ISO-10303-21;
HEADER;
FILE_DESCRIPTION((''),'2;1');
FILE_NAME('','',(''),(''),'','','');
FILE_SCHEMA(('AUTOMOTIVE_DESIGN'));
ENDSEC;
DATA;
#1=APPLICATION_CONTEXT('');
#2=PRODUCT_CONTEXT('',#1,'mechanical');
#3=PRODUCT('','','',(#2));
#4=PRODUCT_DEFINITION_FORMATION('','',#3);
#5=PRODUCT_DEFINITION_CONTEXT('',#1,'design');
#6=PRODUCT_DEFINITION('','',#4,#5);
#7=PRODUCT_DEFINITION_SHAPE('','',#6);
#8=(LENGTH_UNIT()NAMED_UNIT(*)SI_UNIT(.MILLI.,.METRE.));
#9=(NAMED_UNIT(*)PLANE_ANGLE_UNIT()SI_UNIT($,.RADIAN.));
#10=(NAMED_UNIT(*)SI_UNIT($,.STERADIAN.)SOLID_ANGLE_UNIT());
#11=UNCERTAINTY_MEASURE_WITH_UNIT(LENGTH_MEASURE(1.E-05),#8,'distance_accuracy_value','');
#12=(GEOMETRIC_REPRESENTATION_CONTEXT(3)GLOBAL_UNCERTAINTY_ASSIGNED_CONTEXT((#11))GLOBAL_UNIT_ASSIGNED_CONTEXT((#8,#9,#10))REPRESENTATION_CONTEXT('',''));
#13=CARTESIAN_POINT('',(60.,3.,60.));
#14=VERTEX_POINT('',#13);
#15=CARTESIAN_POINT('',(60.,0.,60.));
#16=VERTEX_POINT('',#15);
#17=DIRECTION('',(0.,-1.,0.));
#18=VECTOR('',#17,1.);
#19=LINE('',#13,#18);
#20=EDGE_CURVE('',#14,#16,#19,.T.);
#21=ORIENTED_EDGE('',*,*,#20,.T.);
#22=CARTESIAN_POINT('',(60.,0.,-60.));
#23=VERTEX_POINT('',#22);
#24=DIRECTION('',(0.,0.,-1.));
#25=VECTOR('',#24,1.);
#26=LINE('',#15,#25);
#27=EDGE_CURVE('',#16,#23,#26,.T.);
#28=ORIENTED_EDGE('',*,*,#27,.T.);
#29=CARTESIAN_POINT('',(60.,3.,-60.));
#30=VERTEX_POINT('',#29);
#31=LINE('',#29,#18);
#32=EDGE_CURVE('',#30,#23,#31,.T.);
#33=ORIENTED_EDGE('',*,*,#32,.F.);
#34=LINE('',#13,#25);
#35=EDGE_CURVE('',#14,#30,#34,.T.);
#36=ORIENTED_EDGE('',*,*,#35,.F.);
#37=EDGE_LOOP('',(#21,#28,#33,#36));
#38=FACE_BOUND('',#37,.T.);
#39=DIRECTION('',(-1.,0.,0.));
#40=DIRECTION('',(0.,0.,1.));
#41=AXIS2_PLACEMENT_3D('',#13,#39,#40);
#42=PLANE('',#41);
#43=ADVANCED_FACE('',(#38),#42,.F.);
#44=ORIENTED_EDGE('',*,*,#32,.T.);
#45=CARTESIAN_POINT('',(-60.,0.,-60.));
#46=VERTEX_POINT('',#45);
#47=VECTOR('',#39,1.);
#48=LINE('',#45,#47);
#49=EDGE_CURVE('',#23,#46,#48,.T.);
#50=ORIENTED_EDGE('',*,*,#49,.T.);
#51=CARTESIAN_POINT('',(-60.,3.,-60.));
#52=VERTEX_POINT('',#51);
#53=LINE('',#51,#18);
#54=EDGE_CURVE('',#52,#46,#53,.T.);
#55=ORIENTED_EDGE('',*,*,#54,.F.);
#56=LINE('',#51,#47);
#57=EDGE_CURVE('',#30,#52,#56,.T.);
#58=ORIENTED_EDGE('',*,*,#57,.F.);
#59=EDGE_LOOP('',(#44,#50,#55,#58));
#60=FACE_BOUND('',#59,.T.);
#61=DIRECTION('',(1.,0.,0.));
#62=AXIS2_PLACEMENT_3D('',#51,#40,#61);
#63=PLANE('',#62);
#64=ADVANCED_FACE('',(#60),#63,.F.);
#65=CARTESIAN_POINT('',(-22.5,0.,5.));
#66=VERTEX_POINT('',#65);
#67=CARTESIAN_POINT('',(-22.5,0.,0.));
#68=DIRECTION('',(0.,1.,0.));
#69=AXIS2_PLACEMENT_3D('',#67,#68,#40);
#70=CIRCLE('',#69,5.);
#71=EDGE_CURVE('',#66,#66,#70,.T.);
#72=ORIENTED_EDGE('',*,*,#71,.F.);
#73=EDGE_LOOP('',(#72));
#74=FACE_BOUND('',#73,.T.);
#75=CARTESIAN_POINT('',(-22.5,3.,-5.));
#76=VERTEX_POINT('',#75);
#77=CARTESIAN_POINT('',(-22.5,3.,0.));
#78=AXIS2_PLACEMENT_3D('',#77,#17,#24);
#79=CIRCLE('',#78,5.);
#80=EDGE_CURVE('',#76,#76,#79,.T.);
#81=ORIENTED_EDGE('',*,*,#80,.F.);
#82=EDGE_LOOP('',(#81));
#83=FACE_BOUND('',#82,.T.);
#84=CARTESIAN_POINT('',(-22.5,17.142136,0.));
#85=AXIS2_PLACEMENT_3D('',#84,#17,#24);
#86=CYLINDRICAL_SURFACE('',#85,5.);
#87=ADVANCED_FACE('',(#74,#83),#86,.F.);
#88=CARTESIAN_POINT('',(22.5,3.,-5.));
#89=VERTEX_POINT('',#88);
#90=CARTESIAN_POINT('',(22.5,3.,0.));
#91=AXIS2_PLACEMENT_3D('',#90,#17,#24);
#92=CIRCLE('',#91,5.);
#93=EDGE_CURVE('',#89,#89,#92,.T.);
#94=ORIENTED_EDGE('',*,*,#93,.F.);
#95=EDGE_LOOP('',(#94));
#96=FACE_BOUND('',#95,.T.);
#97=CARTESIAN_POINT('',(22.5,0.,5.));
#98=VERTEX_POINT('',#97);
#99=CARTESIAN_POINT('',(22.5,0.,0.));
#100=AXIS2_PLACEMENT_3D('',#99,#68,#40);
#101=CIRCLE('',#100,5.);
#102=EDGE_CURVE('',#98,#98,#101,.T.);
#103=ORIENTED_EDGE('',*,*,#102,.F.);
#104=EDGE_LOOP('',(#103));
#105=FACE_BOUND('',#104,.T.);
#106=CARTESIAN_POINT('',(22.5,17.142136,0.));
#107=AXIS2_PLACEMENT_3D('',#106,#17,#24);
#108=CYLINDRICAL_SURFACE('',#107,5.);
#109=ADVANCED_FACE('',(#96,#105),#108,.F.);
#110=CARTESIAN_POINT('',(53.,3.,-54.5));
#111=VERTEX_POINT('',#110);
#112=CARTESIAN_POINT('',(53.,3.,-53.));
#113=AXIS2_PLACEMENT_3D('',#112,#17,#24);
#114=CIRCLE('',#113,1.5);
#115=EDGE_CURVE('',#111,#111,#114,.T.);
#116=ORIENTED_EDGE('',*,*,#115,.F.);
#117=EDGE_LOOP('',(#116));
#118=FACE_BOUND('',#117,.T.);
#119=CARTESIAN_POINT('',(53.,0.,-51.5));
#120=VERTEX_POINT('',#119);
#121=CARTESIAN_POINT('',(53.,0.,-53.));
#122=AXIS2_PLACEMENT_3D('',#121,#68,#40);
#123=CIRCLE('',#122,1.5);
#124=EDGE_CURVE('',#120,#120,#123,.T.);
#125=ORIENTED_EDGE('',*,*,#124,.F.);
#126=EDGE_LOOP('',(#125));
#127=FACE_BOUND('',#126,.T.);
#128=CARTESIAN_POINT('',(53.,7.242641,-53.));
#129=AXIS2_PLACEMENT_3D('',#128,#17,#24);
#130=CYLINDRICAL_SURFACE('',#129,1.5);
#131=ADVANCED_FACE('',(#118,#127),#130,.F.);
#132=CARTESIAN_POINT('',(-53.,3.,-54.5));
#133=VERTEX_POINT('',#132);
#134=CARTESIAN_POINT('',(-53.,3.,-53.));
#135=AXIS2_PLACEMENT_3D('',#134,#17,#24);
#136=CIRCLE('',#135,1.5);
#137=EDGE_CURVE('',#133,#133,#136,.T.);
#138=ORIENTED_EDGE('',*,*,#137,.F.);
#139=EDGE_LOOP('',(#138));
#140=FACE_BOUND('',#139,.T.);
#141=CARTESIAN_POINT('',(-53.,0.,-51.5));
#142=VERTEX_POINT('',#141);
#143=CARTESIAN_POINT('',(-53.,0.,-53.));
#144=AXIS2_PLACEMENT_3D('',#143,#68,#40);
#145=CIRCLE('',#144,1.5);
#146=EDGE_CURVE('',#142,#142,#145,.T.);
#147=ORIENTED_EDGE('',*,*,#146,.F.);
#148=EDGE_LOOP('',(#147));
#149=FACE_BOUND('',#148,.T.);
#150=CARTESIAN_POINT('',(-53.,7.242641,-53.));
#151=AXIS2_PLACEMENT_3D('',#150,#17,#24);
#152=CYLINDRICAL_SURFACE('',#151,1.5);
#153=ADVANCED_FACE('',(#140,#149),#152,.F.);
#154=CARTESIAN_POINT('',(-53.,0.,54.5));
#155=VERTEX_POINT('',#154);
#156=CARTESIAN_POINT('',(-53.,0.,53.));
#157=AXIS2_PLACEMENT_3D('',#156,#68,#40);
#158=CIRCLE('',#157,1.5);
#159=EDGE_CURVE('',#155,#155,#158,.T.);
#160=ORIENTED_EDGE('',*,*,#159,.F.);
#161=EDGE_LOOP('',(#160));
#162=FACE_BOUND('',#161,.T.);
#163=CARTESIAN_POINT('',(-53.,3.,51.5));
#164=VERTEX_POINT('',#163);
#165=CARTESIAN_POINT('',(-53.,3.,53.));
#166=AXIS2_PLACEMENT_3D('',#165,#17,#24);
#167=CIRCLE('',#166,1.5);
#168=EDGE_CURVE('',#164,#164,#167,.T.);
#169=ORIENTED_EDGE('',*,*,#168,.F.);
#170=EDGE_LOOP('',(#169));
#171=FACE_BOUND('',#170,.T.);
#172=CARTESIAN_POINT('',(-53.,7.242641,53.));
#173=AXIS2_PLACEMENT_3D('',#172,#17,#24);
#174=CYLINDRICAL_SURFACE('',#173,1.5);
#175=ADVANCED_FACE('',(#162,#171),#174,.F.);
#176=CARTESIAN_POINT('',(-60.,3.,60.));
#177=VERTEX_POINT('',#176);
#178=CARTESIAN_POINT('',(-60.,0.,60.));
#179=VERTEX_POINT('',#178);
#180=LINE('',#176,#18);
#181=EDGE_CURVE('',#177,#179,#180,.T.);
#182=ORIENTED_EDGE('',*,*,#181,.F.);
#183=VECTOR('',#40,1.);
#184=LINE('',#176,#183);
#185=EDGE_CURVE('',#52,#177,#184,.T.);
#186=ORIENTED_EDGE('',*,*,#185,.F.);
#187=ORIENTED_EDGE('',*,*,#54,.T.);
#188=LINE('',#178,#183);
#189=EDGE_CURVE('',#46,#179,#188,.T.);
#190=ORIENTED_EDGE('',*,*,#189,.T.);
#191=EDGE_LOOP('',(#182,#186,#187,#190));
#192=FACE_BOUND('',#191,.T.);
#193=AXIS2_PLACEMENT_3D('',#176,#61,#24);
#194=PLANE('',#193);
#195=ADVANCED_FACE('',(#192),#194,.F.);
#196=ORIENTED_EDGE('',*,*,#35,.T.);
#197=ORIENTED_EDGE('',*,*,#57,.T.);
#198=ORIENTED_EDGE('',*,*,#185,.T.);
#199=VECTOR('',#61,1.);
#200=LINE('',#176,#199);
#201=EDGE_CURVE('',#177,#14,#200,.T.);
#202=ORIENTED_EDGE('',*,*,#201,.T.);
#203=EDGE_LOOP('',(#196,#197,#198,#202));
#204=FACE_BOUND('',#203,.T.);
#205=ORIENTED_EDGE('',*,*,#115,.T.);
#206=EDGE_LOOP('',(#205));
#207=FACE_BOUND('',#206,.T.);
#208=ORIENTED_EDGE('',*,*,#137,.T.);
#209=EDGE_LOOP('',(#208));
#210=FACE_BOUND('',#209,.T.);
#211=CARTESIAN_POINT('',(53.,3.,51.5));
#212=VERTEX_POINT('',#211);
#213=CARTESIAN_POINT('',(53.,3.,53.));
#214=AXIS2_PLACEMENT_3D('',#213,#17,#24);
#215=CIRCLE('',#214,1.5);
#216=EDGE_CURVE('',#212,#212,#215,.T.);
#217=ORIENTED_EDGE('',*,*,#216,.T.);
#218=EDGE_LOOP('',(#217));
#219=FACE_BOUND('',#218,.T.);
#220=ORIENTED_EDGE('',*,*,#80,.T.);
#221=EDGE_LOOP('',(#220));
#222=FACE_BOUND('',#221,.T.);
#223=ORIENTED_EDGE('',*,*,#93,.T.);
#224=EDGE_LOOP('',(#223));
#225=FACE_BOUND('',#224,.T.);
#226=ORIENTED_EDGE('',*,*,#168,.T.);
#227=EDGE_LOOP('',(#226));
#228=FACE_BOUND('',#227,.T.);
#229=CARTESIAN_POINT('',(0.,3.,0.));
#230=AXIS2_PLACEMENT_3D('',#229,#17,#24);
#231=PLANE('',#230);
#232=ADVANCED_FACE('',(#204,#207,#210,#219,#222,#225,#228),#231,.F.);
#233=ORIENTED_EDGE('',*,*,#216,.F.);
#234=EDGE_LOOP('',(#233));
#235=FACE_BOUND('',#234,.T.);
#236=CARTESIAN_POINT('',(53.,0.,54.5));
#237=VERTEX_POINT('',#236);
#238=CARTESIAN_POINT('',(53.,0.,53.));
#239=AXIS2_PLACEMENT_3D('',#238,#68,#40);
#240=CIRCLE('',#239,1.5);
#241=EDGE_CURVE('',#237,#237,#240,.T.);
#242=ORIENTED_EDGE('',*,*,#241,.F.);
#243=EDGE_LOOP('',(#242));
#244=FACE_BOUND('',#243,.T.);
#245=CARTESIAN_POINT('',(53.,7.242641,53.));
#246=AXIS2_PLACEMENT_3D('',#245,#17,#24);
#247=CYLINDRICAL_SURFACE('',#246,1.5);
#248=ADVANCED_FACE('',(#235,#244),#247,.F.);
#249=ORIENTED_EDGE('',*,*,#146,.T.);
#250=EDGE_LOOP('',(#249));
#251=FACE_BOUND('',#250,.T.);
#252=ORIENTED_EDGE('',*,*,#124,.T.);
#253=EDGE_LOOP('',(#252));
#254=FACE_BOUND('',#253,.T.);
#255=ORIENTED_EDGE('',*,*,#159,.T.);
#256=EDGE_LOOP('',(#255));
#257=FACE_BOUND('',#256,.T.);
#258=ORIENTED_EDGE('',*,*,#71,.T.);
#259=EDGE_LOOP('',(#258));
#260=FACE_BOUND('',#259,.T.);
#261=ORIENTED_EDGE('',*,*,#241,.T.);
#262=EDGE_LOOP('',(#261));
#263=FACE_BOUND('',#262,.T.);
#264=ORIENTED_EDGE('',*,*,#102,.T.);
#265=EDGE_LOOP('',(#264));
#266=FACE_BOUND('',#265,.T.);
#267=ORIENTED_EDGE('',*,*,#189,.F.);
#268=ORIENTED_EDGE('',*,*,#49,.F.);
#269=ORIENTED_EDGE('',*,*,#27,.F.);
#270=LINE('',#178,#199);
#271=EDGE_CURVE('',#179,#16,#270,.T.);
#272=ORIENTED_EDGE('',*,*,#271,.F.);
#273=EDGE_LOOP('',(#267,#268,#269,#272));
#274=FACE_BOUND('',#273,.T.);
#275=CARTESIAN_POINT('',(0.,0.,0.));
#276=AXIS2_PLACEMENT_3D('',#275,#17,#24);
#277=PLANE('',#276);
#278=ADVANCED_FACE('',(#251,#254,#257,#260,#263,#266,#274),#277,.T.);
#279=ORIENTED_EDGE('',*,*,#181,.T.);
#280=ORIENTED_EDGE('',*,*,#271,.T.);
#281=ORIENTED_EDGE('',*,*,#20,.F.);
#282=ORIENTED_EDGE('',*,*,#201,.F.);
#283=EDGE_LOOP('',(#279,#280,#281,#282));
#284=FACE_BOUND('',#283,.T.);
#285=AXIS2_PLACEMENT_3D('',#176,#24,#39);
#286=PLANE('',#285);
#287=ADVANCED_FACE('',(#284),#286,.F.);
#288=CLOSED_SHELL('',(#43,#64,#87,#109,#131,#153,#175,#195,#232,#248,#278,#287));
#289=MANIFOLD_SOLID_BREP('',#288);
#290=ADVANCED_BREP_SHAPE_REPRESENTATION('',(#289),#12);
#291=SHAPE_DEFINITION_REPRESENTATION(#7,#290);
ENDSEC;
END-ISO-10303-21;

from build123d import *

# Parameters (mm, degrees)
SKETCH1_W           = 120
SKETCH1_H           = 120
BOSS_EXTRUDE1_DEPTH = 3
SKETCH4_R           = 5
CUT_EXTRUDE2_DEPTH  = 3
SKETCH7_R           = 1.5
CUT_EXTRUDE3_DEPTH  = 3


with BuildPart() as part:
    # Sketch1 → Boss-Extrude1 (new body)
    with BuildSketch(Plane(origin=(0, 0, 0), x_dir=(1, 0, 0), z_dir=(0, 1, 0))):
        Rectangle(SKETCH1_W, SKETCH1_H)
    extrude(amount=BOSS_EXTRUDE1_DEPTH)

    # Sketch4 → Cut-Extrude2 (cut)
    with BuildSketch(Plane(origin=(0, 0, 0), x_dir=(1, 0, 0), z_dir=(0, 1, 0))):
        with Locations((-22.5, 0)):
            Circle(SKETCH4_R)
        with Locations((22.5, 0)):
            Circle(SKETCH4_R)
    extrude(amount=CUT_EXTRUDE2_DEPTH, mode=Mode.SUBTRACT)

    # Sketch7 → Cut-Extrude3 (cut)
    with BuildSketch(Plane(origin=(0, 0, 0), x_dir=(1, 0, 0), z_dir=(0, 1, 0))):
        with Locations((-53, 53)):
            Circle(SKETCH7_R)
        with Locations((53, 53)):
            Circle(SKETCH7_R)
        with Locations((-53, -53)):
            Circle(SKETCH7_R)
        with Locations((53, -53)):
            Circle(SKETCH7_R)
    extrude(amount=CUT_EXTRUDE3_DEPTH, mode=Mode.SUBTRACT)


solid = part.part
